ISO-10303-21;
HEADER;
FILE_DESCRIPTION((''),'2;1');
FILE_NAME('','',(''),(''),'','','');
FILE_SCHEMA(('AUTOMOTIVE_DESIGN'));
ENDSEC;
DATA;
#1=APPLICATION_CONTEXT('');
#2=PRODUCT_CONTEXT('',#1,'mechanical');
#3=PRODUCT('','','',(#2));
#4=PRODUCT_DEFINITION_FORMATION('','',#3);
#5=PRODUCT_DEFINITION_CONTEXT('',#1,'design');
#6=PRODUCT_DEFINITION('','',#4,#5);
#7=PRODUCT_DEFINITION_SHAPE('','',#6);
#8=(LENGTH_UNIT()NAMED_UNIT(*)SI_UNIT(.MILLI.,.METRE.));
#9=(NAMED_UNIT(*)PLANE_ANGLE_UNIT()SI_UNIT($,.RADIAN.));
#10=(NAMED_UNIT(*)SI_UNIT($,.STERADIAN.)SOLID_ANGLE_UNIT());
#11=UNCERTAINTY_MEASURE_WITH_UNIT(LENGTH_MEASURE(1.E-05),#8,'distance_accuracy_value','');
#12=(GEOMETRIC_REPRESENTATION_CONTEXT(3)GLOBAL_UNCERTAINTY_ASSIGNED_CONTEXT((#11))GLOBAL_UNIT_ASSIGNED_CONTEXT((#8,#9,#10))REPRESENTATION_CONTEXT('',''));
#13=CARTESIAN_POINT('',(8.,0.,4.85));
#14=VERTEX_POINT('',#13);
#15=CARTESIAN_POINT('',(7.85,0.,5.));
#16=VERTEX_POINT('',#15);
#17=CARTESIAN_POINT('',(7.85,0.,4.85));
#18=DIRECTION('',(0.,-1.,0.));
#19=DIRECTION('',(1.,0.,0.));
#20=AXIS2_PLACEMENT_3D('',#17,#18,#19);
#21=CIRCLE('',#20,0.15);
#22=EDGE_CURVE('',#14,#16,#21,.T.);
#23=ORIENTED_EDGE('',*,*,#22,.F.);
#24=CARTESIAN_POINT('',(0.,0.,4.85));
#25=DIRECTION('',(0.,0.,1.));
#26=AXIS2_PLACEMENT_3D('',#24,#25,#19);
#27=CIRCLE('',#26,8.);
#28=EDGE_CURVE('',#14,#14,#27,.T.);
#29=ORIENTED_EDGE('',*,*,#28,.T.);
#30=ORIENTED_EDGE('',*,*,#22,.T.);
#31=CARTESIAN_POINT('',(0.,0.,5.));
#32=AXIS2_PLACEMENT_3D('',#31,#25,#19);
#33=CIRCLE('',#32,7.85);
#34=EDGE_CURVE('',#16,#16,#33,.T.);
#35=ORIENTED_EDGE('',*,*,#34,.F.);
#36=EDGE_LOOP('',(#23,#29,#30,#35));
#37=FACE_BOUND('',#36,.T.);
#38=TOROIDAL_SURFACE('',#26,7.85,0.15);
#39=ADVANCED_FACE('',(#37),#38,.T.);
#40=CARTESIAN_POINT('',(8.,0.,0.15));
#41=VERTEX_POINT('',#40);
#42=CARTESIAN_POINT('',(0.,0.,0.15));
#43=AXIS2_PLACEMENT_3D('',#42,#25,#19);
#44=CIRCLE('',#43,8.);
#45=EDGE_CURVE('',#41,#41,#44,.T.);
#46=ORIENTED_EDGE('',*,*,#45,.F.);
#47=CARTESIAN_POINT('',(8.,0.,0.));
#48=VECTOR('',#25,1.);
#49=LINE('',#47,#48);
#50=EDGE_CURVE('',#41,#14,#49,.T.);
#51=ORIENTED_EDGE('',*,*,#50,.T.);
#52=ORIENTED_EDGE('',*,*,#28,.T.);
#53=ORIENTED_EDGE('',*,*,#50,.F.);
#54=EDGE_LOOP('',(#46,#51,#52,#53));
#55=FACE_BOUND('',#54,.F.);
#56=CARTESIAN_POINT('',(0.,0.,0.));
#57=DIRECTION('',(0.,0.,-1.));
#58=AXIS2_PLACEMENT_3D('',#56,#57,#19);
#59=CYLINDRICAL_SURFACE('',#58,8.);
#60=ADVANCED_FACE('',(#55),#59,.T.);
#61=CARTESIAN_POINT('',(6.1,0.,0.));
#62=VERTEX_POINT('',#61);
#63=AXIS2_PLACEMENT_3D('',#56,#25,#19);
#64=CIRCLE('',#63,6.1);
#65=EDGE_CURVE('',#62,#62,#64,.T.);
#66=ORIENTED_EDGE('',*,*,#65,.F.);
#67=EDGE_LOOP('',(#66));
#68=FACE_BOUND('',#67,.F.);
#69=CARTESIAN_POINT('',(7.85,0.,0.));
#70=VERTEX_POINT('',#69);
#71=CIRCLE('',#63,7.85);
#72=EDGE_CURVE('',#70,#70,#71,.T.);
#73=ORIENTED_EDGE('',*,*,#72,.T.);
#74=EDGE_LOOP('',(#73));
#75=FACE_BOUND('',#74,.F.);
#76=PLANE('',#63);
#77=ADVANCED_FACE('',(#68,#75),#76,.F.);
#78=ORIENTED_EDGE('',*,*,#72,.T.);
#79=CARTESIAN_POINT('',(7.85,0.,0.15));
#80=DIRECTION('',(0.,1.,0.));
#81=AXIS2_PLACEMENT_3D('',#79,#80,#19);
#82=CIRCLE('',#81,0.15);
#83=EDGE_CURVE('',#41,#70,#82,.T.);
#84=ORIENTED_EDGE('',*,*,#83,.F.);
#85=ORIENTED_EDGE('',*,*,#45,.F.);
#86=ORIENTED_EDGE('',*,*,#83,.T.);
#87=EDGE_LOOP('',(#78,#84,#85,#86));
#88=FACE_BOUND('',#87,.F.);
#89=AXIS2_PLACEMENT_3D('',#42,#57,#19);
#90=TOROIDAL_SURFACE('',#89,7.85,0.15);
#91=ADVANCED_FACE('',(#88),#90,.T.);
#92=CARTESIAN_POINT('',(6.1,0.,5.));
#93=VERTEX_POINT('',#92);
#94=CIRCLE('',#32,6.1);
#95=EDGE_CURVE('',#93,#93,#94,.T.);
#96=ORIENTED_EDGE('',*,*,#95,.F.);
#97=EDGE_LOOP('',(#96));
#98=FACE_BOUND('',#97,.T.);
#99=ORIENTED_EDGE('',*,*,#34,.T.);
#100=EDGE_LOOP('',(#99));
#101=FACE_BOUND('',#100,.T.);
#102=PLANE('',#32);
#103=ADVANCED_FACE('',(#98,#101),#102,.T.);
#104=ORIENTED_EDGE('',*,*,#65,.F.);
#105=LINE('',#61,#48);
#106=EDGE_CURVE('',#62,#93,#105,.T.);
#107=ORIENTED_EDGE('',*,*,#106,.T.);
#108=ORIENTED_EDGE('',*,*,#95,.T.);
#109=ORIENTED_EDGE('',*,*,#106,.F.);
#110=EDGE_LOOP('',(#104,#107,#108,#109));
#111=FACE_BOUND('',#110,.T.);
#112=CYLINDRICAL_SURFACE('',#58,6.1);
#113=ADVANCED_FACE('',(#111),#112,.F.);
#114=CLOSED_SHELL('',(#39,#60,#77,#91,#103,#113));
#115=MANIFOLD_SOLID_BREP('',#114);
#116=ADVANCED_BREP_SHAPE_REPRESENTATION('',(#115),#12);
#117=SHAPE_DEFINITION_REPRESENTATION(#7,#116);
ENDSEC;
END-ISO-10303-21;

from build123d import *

# Parameters (mm, degrees)
CYLINDER002_R     = 6.1
CYLINDER002_DEPTH = 5
CYLINDER_R        = 8
CYLINDER_DEPTH    = 5
FILLET001_R       = 0.15


with BuildPart() as cilindro:
    # Cylinder002 → Cylinder002 (new body)
    with BuildSketch(Plane.XY):
        Circle(CYLINDER002_R)
    extrude(amount=CYLINDER002_DEPTH)


with BuildPart() as fillet001:
    # Cylinder → Cylinder (new body)
    with BuildSketch(Plane.XY):
        Circle(CYLINDER_R)
    extrude(amount=CYLINDER_DEPTH)

    # Cut: cut Cilindro
    add(cilindro.part, mode=Mode.SUBTRACT)

    # Fillet001
    fillet001_edges = [fillet001.edges().sort_by_distance(p)[0] for p in [
        (-8, 0, 0),
        (-8, 0, 5),
    ]]
    fillet(fillet001_edges, radius=FILLET001_R)


solid = fillet001.part
